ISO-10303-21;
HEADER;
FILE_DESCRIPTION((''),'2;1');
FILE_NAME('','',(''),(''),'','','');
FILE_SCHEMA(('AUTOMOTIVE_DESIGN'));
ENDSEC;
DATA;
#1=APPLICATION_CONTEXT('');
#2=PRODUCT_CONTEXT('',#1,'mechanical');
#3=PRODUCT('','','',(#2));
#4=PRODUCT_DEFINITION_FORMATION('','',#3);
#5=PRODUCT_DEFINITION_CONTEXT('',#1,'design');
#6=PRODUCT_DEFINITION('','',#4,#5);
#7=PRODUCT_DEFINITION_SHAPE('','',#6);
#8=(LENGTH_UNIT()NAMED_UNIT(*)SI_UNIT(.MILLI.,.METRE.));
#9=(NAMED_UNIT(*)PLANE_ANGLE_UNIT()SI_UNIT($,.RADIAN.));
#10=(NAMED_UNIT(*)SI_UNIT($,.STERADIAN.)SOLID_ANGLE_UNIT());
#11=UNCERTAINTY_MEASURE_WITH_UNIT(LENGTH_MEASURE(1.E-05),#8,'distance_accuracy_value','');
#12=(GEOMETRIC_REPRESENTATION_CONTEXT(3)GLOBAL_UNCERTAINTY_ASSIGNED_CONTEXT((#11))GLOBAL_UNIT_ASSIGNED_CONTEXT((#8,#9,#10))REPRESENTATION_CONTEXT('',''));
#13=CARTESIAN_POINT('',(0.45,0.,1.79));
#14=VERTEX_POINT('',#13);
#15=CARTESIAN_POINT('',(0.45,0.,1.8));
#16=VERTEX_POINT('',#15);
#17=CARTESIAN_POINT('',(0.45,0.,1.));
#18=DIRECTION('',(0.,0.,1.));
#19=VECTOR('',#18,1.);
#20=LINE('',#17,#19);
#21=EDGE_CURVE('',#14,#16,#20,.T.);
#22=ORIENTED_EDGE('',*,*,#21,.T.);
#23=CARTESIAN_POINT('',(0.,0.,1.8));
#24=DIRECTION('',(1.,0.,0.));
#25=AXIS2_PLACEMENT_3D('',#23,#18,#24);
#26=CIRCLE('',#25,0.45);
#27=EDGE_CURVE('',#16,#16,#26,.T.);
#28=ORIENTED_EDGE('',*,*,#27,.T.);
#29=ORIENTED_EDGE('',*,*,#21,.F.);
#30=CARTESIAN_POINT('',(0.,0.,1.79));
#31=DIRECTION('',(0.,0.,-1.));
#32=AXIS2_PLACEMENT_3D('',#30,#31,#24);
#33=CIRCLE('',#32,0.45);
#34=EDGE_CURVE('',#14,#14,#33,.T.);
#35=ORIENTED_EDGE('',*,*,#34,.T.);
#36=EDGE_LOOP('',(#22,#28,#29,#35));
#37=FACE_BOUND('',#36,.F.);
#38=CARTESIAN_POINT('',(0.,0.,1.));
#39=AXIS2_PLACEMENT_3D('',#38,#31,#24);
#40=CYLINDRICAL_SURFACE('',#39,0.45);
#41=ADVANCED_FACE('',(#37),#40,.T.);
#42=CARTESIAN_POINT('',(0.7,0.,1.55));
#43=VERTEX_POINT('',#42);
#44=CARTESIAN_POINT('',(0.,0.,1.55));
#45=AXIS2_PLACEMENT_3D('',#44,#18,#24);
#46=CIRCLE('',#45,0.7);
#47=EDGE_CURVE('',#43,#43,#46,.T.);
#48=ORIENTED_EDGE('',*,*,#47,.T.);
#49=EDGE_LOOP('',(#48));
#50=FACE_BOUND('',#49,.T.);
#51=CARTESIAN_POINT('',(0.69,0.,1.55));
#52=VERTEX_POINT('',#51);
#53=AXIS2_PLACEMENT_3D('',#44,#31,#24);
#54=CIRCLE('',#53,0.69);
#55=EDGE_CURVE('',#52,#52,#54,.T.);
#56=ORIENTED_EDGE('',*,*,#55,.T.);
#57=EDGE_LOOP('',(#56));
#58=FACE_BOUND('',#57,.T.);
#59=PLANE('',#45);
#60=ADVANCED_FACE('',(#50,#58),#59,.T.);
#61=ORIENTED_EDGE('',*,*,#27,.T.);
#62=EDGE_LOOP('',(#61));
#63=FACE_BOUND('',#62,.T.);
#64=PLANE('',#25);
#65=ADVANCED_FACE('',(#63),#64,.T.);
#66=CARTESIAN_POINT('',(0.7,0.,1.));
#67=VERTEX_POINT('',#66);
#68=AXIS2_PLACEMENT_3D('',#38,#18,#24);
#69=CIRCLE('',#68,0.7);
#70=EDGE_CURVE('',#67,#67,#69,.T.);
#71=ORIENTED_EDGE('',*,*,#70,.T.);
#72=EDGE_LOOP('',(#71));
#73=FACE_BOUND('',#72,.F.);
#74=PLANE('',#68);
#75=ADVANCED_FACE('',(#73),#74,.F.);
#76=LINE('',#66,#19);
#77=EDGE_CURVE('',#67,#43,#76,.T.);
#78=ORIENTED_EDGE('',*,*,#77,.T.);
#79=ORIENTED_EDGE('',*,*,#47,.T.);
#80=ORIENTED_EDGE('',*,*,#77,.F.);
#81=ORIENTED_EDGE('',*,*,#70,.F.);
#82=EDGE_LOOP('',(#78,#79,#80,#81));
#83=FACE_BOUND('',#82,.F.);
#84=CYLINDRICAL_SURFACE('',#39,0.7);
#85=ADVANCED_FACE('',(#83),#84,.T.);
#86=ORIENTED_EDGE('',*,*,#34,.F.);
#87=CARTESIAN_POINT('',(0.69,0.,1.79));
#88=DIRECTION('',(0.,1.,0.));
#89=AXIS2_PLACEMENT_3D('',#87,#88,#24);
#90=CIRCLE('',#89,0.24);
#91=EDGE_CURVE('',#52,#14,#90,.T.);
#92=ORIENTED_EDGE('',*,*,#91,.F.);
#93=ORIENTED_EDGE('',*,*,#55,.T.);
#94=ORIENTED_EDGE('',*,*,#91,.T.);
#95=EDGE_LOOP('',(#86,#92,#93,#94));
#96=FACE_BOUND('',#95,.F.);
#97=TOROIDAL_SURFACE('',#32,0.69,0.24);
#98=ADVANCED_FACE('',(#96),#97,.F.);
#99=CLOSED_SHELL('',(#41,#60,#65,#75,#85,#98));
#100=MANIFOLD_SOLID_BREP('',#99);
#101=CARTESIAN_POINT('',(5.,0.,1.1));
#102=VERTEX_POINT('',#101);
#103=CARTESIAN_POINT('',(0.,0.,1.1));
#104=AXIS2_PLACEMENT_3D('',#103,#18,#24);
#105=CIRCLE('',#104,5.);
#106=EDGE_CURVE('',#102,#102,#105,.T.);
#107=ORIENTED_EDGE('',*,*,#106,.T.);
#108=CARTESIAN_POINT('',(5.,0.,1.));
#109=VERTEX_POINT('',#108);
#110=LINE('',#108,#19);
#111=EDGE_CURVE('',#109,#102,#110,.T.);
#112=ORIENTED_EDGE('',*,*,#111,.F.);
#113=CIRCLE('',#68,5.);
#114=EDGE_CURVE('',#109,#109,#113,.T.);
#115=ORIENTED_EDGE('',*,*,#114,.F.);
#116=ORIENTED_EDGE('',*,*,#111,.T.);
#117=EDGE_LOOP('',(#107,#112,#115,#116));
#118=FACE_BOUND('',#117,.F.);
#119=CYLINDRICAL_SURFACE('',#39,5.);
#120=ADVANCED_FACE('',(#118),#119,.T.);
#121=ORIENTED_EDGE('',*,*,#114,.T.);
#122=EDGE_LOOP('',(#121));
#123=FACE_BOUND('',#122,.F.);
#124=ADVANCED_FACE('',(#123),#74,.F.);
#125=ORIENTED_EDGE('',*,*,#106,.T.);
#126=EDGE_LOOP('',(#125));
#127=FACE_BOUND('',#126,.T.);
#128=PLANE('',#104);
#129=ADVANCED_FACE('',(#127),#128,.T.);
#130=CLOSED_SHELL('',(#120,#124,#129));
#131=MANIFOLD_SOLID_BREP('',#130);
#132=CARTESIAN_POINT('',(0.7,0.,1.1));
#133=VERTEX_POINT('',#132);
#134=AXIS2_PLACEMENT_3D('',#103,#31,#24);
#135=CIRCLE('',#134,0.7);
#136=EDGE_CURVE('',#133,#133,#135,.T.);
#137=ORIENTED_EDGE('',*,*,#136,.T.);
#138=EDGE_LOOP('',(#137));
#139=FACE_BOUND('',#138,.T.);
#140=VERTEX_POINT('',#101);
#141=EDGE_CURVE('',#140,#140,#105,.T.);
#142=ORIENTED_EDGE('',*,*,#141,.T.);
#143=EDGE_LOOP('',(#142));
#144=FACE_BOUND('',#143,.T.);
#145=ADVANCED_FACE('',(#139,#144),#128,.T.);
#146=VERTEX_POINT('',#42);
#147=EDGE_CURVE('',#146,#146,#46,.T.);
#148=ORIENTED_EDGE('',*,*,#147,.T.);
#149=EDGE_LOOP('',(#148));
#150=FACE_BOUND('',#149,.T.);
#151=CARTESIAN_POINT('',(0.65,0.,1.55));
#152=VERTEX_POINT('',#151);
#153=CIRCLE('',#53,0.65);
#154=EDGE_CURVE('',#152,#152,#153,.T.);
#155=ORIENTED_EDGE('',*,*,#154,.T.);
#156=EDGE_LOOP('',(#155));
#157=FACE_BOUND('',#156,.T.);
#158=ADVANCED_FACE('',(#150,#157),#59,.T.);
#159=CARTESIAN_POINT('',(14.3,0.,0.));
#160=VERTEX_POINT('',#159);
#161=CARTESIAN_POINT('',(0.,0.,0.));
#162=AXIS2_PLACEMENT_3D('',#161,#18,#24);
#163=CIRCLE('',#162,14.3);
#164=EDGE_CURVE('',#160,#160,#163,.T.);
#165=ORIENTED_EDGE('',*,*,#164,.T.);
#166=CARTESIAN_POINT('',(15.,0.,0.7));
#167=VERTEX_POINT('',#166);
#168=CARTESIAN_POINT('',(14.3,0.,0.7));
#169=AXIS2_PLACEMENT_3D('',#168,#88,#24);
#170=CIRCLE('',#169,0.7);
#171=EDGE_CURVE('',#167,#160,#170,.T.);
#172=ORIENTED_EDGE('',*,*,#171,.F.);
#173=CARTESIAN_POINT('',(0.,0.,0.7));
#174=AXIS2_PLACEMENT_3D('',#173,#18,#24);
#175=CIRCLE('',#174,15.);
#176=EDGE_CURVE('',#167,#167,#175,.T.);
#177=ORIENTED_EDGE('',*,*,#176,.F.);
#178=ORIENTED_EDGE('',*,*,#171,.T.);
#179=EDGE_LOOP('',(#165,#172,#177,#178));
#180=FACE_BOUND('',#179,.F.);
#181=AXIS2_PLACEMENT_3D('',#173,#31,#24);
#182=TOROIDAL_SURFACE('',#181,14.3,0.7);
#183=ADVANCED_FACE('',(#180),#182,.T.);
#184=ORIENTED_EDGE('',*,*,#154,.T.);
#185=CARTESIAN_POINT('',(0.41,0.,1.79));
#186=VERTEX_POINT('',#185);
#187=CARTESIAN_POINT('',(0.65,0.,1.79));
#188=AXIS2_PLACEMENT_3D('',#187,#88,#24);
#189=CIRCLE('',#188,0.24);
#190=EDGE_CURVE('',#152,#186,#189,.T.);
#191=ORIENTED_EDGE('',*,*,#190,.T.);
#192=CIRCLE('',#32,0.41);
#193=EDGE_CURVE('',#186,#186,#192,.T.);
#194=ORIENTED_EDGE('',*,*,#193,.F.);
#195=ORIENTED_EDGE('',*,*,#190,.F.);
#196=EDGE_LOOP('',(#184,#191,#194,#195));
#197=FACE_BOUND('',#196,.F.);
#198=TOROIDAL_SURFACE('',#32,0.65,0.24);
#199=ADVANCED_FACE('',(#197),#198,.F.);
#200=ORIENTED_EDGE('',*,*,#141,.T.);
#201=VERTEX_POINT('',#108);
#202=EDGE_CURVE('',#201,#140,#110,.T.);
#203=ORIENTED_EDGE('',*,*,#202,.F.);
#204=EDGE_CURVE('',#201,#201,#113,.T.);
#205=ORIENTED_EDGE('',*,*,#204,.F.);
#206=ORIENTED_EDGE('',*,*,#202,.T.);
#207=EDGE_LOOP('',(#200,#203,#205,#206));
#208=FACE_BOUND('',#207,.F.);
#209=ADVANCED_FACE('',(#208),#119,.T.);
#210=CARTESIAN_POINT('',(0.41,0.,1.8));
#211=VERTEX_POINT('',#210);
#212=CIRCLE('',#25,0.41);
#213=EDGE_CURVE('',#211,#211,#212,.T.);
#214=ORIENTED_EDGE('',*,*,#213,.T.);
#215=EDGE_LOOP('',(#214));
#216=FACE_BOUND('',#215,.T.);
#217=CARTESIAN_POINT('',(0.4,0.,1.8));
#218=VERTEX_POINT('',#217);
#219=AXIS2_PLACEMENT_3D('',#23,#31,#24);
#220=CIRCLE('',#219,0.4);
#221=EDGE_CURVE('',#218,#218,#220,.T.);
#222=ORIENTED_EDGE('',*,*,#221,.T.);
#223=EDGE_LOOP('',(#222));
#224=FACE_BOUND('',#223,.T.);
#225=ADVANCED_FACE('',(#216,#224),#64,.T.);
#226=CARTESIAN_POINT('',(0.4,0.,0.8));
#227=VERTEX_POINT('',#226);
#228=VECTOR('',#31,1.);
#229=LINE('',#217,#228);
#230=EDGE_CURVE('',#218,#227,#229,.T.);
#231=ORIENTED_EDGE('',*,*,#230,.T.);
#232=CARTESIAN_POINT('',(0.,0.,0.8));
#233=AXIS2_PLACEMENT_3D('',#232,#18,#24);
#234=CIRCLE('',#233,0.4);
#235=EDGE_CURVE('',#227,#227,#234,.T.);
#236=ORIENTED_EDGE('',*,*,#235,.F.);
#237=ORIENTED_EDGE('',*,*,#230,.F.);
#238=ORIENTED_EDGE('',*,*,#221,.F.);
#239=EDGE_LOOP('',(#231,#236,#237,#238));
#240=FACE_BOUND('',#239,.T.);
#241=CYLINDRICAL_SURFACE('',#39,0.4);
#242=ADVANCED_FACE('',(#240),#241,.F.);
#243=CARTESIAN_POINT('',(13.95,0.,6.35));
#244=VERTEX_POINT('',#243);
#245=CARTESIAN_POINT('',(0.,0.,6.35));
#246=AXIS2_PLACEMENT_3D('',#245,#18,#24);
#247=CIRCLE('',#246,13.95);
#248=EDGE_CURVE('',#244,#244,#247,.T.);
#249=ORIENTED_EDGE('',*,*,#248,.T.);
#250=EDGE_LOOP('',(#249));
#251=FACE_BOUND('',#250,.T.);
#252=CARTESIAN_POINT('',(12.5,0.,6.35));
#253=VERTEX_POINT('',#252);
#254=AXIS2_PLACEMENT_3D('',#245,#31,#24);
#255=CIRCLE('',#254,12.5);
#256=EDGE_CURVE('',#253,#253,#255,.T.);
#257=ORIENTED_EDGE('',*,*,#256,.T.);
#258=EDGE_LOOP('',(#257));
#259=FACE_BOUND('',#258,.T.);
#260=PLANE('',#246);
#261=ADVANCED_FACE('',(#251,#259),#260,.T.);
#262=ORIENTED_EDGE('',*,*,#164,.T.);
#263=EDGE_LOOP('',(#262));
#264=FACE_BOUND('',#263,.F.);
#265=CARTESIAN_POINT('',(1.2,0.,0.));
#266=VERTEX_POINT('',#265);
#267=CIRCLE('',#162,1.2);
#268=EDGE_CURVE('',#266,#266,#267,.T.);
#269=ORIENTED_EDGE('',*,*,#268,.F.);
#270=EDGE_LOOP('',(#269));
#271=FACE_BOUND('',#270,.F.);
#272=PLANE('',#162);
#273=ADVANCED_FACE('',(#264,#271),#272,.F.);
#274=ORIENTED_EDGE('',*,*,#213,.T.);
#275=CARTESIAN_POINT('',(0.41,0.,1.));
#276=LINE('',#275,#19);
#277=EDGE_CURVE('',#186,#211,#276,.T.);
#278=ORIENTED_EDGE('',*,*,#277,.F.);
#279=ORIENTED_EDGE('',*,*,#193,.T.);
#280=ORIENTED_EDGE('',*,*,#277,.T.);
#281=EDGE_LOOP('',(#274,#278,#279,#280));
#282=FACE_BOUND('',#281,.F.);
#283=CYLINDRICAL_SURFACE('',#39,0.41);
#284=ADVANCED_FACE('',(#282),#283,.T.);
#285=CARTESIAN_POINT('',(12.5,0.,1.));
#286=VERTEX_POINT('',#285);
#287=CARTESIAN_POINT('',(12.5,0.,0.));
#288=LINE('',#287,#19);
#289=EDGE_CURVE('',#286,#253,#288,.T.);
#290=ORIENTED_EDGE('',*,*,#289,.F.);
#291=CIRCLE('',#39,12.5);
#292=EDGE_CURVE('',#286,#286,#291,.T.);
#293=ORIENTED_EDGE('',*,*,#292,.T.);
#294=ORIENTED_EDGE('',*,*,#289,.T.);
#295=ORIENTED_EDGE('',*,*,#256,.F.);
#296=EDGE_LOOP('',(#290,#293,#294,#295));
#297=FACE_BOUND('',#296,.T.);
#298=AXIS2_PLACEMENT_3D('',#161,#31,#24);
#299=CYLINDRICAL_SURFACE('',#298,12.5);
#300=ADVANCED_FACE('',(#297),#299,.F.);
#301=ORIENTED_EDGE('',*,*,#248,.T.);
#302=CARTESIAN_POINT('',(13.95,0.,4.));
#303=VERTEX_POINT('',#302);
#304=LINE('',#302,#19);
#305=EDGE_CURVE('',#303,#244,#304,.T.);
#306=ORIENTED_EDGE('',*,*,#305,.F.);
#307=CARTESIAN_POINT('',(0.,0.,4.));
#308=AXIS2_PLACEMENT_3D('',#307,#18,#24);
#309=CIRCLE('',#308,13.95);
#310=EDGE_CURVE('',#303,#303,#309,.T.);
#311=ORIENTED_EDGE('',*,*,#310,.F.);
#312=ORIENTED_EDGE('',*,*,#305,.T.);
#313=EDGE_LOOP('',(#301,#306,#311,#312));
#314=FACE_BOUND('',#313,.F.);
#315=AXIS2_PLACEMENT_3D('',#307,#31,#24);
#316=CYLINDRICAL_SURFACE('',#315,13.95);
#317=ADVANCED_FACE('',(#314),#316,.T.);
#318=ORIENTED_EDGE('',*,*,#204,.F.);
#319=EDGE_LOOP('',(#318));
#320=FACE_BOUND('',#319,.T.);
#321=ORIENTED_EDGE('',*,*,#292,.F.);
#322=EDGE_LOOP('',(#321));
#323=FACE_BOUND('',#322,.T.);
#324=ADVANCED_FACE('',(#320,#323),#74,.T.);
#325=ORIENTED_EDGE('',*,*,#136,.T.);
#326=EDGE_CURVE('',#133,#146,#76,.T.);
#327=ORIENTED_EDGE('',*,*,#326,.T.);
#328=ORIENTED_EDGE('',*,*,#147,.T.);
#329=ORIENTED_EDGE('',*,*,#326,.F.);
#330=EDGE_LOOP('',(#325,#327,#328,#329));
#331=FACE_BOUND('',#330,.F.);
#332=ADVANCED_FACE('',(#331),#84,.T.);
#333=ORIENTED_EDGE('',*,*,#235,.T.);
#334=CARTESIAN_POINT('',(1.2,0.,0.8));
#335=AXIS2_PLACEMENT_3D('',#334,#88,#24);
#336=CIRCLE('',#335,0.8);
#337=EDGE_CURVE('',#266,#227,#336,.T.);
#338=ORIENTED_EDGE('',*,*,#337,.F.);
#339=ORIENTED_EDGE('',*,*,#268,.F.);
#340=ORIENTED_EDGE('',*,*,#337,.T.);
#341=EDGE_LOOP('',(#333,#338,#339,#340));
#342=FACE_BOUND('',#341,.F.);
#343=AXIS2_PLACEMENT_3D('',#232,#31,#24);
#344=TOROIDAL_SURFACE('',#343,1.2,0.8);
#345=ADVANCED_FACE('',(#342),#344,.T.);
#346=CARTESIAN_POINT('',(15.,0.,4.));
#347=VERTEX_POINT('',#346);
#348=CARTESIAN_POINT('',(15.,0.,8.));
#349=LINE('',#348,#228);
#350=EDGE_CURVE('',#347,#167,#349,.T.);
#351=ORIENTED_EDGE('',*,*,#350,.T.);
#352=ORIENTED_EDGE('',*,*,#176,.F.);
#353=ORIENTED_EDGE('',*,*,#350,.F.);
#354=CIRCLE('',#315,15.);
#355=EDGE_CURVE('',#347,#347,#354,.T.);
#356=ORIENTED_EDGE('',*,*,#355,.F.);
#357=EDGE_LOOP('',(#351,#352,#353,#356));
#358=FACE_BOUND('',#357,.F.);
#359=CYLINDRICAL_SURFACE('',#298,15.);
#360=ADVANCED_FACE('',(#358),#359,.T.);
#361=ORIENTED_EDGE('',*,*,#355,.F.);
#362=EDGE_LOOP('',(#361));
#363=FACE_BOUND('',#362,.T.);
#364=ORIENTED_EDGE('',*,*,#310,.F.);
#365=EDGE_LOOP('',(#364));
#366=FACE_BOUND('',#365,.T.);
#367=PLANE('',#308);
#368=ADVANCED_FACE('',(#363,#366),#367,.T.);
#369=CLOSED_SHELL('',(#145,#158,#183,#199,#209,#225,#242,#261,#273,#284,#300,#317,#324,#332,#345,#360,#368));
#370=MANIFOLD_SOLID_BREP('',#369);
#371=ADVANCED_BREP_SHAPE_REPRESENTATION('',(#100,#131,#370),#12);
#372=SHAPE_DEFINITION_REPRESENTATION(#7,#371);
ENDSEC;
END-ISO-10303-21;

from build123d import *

# Parameters (mm, degrees)
CYLINDER012_R     = 0.45
CYLINDER012_DEPTH = 0.8
CYLINDER003_R     = 0.7
CYLINDER003_DEPTH = 0.55
FILLET003_R       = 0.24
CYLINDER013_R     = 5
CYLINDER013_DEPTH = 0.1
CYLINDER010_R     = 12.5
CYLINDER010_DEPTH = 10
CYLINDER011_R     = 13.95
CYLINDER011_DEPTH = 2.35
CYLINDER009_R     = 14
CYLINDER009_DEPTH = 3
CYLINDER004_R     = 0.4
CYLINDER004_DEPTH = 2
CYLINDER016_R     = 0.4
CYLINDER016_DEPTH = 2
CYLINDER014_R     = 0.41
CYLINDER014_DEPTH = 0.8
CYLINDER015_R     = 0.7
CYLINDER015_DEPTH = 0.55
FILLET004_R       = 0.24
CYLINDER017_R     = 5
CYLINDER017_DEPTH = 0.1
CYLINDER008_R     = 16
CYLINDER008_DEPTH = 10
CYLINDER007_R     = 14
CYLINDER007_DEPTH = 7
CYLINDER006_R     = 14
CYLINDER006_DEPTH = 1
CYLINDER005_R     = 0.4
CYLINDER005_DEPTH = 1
CYLINDER001_R     = 12.6
CYLINDER001_DEPTH = 8
CYLINDER_R        = 15
CYLINDER_DEPTH    = 8
CYLINDER002_R     = 15
CYLINDER002_DEPTH = 1
FILLET_R          = 0.7
FILLET001_R       = 0.7
FILLET002_R       = 0.8


with BuildPart() as cylinder012:
    # Cylinder012 → Cylinder012 (new body)
    with BuildSketch(Plane.XY.offset(1)):
        Circle(CYLINDER012_R)
    extrude(amount=CYLINDER012_DEPTH)


with BuildPart() as fillet003:
    # Cylinder003 → Cylinder003 (new body)
    with BuildSketch(Plane.XY.offset(1)):
        Circle(CYLINDER003_R)
    extrude(amount=CYLINDER003_DEPTH)

    # Fusion003: union Cylinder012
    add(cylinder012.part)

    # Fillet003
    fillet003_edges = [fillet003.edges().sort_by_distance(p)[0] for p in [
        (-0.45, 0, 1.55),
    ]]
    fillet(fillet003_edges, radius=FILLET003_R)


with BuildPart() as cylinder013:
    # Cylinder013 → Cylinder013 (new body)
    with BuildSketch(Plane.XY.offset(1)):
        Circle(CYLINDER013_R)
    extrude(amount=CYLINDER013_DEPTH)


with BuildPart() as cylinder010:
    # Cylinder010 → Cylinder010 (new body)
    with BuildSketch(Plane.XY):
        Circle(CYLINDER010_R)
    extrude(amount=CYLINDER010_DEPTH)


with BuildPart() as cylinder011:
    # Cylinder011 → Cylinder011 (new body)
    with BuildSketch(Plane.XY.offset(4)):
        Circle(CYLINDER011_R)
    extrude(amount=CYLINDER011_DEPTH)


with BuildPart() as cut006:
    # Cylinder009 → Cylinder009 (new body)
    with BuildSketch(Plane.XY.offset(1)):
        Circle(CYLINDER009_R)
    extrude(amount=CYLINDER009_DEPTH)

    # Fusion002: union Cylinder011
    add(cylinder011.part)

    # Cut006: cut Cylinder010
    add(cylinder010.part, mode=Mode.SUBTRACT)


with BuildPart() as cylinder004:
    # Cylinder004 → Cylinder004 (new body)
    with BuildSketch(Plane.XY.offset(1)):
        Circle(CYLINDER004_R)
    extrude(amount=CYLINDER004_DEPTH)


with BuildPart() as cylinder016:
    # Cylinder016 → Cylinder016 (new body)
    with BuildSketch(Plane.XY.offset(1)):
        Circle(CYLINDER016_R)
    extrude(amount=CYLINDER016_DEPTH)


with BuildPart() as cylinder014:
    # Cylinder014 → Cylinder014 (new body)
    with BuildSketch(Plane.XY.offset(1)):
        Circle(CYLINDER014_R)
    extrude(amount=CYLINDER014_DEPTH)


with BuildPart() as fillet004:
    # Cylinder015 → Cylinder015 (new body)
    with BuildSketch(Plane.XY.offset(1)):
        Circle(CYLINDER015_R)
    extrude(amount=CYLINDER015_DEPTH)

    # Fusion001: union Cylinder014
    add(cylinder014.part)

    # Fillet004
    fillet004_edges = [fillet004.edges().sort_by_distance(p)[0] for p in [
        (-0.41, 0, 1.55),
    ]]
    fillet(fillet004_edges, radius=FILLET004_R)


with BuildPart() as cut010:
    # Cylinder017 → Cylinder017 (new body)
    with BuildSketch(Plane.XY.offset(1)):
        Circle(CYLINDER017_R)
    extrude(amount=CYLINDER017_DEPTH)

    # Fusion004: union Fillet004
    add(fillet004.part)

    # Cut009: cut Cylinder016
    add(cylinder016.part, mode=Mode.SUBTRACT)

    # Cut010: cut Cylinder004
    add(cylinder004.part, mode=Mode.SUBTRACT)


with BuildPart() as cylinder008:
    # Cylinder008 → Cylinder008 (new body)
    with BuildSketch(Plane.XY.offset(4)):
        Circle(CYLINDER008_R)
    extrude(amount=CYLINDER008_DEPTH)


with BuildPart() as cylinder007:
    # Cylinder007 → Cylinder007 (new body)
    with BuildSketch(Plane.XY.offset(1)):
        Circle(CYLINDER007_R)
    extrude(amount=CYLINDER007_DEPTH)


with BuildPart() as cylinder006:
    # Cylinder006 → Cylinder006 (new body)
    with BuildSketch(Plane.XY.offset(7)):
        Circle(CYLINDER006_R)
    extrude(amount=CYLINDER006_DEPTH)


with BuildPart() as cylinder005:
    # Cylinder005 → Cylinder005 (new body)
    with BuildSketch(Plane.XY):
        Circle(CYLINDER005_R)
    extrude(amount=CYLINDER005_DEPTH)


with BuildPart() as cylinder001:
    # Cylinder001 → Cylinder001 (new body)
    with BuildSketch(Plane.XY):
        Circle(CYLINDER001_R)
    extrude(amount=CYLINDER001_DEPTH)


with BuildPart() as cut:
    # Cylinder → Cylinder (new body)
    with BuildSketch(Plane.XY):
        Circle(CYLINDER_R)
    extrude(amount=CYLINDER_DEPTH)

    # Cut: cut Cylinder001
    add(cylinder001.part, mode=Mode.SUBTRACT)


with BuildPart() as fusion005:
    # Cylinder002 → Cylinder002 (new body)
    with BuildSketch(Plane.XY):
        Circle(CYLINDER002_R)
    extrude(amount=CYLINDER002_DEPTH)

    # Fusion: union Cut
    add(cut.part)

    # Cut001: cut Cylinder005
    add(cylinder005.part, mode=Mode.SUBTRACT)

    # Cut003: cut Cylinder006
    add(cylinder006.part, mode=Mode.SUBTRACT)

    # Fillet
    fillet_edges = [fusion005.edges().sort_by_distance(p)[0] for p in [
        (-15, 0, 8),
    ]]
    fillet(fillet_edges, radius=FILLET_R)

    # Fillet001
    fillet001_edges = [fusion005.edges().sort_by_distance(p)[0] for p in [
        (-15, 0, 0),
    ]]
    fillet(fillet001_edges, radius=FILLET001_R)

    # Fillet002
    fillet002_edges = [fusion005.edges().sort_by_distance(p)[0] for p in [
        (-0.4, 0, 0),
    ]]
    fillet(fillet002_edges, radius=FILLET002_R)

    # Cut004: cut Cylinder007
    add(cylinder007.part, mode=Mode.SUBTRACT)

    # Cut008: cut Cylinder008
    add(cylinder008.part, mode=Mode.SUBTRACT)

    # Fusion005: union Cut006, Cut010
    add(cut006.part)
    add(cut010.part)


solid = Compound([fillet003.part, cylinder013.part, fusion005.part])
